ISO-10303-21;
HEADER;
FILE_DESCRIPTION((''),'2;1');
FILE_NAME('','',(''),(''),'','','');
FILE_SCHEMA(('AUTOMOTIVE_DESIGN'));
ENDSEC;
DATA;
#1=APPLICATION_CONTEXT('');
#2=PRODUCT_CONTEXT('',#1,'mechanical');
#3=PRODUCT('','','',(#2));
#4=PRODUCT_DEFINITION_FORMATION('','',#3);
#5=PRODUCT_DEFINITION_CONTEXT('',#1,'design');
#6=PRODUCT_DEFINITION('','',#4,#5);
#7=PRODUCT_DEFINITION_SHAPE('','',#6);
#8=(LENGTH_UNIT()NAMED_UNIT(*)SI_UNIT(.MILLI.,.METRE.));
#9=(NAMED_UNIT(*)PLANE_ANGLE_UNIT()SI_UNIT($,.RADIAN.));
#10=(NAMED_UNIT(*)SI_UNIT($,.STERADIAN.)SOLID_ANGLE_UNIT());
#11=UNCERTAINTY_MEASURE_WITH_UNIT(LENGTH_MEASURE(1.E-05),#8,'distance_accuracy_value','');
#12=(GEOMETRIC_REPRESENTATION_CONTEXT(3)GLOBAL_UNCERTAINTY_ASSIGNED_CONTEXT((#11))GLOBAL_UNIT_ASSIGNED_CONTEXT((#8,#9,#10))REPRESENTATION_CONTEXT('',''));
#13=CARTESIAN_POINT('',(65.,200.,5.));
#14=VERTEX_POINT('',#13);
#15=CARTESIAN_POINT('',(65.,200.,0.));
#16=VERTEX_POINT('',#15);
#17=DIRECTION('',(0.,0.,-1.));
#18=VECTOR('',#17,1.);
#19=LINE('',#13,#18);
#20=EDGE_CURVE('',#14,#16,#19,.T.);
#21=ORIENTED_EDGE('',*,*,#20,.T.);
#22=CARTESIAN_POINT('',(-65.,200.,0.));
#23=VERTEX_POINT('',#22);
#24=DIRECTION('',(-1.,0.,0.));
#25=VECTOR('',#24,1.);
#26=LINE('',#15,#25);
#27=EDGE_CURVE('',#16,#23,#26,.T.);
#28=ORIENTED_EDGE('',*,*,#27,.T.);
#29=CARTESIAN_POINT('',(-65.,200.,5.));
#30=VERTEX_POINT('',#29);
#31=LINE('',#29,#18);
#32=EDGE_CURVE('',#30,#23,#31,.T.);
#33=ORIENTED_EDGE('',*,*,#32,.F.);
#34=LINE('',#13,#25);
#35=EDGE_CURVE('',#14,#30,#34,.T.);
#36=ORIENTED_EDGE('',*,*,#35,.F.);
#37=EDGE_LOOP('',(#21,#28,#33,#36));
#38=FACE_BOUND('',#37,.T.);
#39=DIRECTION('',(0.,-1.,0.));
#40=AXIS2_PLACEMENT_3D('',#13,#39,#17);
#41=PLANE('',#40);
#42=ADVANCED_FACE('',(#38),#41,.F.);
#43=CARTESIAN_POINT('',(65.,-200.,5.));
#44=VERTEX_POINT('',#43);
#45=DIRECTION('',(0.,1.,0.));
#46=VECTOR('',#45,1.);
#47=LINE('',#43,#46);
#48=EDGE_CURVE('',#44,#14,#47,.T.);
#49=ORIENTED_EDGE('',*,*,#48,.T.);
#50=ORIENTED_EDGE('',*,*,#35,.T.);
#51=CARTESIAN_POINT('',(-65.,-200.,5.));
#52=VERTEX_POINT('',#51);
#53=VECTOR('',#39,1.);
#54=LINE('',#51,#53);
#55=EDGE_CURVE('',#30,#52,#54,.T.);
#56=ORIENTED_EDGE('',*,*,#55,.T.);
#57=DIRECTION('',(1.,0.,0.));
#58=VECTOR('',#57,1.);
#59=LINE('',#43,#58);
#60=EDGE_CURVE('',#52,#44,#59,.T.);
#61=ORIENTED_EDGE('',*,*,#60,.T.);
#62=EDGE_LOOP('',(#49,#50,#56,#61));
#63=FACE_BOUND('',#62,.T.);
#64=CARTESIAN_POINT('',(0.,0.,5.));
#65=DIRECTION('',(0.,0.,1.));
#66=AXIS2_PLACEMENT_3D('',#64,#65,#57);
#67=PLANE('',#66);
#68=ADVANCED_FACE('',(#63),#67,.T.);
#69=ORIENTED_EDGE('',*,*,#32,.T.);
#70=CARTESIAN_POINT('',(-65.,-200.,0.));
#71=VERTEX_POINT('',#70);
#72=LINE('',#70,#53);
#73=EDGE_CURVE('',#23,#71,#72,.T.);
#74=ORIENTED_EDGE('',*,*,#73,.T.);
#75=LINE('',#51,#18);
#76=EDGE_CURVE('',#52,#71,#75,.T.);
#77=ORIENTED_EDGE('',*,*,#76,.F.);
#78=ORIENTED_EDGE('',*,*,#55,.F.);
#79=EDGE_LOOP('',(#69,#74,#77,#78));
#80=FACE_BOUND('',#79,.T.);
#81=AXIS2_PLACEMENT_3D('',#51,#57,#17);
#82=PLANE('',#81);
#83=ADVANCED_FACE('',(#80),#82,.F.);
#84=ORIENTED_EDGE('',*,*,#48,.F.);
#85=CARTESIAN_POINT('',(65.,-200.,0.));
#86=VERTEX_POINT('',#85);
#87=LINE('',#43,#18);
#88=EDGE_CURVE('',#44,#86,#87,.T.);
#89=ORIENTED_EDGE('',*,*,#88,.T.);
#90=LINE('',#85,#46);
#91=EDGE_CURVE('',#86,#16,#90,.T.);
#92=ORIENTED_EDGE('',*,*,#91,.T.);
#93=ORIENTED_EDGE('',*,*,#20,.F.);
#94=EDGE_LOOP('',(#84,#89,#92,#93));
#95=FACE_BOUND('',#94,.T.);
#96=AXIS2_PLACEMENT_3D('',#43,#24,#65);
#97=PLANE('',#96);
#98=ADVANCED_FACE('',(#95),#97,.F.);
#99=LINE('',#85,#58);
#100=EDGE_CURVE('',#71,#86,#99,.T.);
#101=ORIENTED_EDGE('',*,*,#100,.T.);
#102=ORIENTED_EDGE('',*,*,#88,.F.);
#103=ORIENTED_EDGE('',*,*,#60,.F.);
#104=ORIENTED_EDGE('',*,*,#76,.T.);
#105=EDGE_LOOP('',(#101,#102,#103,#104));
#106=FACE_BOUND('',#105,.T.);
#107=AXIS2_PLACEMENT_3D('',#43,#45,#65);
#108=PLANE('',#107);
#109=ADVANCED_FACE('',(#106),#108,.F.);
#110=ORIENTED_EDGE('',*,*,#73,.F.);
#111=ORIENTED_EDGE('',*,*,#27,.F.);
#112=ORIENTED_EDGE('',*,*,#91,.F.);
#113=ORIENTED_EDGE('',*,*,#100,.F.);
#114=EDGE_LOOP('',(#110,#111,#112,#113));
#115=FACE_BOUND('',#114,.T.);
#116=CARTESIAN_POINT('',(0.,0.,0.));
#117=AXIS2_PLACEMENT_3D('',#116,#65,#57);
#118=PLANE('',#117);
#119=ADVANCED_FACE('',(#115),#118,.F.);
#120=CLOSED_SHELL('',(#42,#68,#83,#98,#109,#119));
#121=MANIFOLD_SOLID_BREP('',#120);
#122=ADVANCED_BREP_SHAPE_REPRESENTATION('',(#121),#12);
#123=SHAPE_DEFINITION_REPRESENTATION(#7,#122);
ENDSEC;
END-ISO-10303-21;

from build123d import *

# Parameters (mm, degrees)
ESQUISSE1_W        = 130
ESQUISSE1_H        = 400
BOSS_EXTRU_1_DEPTH = 5


with BuildPart() as part:
    # Esquisse1 → Boss.-Extru.1 (new body)
    with BuildSketch(Plane.XY):
        Rectangle(ESQUISSE1_W, ESQUISSE1_H)
    extrude(amount=BOSS_EXTRU_1_DEPTH)


solid = part.part
